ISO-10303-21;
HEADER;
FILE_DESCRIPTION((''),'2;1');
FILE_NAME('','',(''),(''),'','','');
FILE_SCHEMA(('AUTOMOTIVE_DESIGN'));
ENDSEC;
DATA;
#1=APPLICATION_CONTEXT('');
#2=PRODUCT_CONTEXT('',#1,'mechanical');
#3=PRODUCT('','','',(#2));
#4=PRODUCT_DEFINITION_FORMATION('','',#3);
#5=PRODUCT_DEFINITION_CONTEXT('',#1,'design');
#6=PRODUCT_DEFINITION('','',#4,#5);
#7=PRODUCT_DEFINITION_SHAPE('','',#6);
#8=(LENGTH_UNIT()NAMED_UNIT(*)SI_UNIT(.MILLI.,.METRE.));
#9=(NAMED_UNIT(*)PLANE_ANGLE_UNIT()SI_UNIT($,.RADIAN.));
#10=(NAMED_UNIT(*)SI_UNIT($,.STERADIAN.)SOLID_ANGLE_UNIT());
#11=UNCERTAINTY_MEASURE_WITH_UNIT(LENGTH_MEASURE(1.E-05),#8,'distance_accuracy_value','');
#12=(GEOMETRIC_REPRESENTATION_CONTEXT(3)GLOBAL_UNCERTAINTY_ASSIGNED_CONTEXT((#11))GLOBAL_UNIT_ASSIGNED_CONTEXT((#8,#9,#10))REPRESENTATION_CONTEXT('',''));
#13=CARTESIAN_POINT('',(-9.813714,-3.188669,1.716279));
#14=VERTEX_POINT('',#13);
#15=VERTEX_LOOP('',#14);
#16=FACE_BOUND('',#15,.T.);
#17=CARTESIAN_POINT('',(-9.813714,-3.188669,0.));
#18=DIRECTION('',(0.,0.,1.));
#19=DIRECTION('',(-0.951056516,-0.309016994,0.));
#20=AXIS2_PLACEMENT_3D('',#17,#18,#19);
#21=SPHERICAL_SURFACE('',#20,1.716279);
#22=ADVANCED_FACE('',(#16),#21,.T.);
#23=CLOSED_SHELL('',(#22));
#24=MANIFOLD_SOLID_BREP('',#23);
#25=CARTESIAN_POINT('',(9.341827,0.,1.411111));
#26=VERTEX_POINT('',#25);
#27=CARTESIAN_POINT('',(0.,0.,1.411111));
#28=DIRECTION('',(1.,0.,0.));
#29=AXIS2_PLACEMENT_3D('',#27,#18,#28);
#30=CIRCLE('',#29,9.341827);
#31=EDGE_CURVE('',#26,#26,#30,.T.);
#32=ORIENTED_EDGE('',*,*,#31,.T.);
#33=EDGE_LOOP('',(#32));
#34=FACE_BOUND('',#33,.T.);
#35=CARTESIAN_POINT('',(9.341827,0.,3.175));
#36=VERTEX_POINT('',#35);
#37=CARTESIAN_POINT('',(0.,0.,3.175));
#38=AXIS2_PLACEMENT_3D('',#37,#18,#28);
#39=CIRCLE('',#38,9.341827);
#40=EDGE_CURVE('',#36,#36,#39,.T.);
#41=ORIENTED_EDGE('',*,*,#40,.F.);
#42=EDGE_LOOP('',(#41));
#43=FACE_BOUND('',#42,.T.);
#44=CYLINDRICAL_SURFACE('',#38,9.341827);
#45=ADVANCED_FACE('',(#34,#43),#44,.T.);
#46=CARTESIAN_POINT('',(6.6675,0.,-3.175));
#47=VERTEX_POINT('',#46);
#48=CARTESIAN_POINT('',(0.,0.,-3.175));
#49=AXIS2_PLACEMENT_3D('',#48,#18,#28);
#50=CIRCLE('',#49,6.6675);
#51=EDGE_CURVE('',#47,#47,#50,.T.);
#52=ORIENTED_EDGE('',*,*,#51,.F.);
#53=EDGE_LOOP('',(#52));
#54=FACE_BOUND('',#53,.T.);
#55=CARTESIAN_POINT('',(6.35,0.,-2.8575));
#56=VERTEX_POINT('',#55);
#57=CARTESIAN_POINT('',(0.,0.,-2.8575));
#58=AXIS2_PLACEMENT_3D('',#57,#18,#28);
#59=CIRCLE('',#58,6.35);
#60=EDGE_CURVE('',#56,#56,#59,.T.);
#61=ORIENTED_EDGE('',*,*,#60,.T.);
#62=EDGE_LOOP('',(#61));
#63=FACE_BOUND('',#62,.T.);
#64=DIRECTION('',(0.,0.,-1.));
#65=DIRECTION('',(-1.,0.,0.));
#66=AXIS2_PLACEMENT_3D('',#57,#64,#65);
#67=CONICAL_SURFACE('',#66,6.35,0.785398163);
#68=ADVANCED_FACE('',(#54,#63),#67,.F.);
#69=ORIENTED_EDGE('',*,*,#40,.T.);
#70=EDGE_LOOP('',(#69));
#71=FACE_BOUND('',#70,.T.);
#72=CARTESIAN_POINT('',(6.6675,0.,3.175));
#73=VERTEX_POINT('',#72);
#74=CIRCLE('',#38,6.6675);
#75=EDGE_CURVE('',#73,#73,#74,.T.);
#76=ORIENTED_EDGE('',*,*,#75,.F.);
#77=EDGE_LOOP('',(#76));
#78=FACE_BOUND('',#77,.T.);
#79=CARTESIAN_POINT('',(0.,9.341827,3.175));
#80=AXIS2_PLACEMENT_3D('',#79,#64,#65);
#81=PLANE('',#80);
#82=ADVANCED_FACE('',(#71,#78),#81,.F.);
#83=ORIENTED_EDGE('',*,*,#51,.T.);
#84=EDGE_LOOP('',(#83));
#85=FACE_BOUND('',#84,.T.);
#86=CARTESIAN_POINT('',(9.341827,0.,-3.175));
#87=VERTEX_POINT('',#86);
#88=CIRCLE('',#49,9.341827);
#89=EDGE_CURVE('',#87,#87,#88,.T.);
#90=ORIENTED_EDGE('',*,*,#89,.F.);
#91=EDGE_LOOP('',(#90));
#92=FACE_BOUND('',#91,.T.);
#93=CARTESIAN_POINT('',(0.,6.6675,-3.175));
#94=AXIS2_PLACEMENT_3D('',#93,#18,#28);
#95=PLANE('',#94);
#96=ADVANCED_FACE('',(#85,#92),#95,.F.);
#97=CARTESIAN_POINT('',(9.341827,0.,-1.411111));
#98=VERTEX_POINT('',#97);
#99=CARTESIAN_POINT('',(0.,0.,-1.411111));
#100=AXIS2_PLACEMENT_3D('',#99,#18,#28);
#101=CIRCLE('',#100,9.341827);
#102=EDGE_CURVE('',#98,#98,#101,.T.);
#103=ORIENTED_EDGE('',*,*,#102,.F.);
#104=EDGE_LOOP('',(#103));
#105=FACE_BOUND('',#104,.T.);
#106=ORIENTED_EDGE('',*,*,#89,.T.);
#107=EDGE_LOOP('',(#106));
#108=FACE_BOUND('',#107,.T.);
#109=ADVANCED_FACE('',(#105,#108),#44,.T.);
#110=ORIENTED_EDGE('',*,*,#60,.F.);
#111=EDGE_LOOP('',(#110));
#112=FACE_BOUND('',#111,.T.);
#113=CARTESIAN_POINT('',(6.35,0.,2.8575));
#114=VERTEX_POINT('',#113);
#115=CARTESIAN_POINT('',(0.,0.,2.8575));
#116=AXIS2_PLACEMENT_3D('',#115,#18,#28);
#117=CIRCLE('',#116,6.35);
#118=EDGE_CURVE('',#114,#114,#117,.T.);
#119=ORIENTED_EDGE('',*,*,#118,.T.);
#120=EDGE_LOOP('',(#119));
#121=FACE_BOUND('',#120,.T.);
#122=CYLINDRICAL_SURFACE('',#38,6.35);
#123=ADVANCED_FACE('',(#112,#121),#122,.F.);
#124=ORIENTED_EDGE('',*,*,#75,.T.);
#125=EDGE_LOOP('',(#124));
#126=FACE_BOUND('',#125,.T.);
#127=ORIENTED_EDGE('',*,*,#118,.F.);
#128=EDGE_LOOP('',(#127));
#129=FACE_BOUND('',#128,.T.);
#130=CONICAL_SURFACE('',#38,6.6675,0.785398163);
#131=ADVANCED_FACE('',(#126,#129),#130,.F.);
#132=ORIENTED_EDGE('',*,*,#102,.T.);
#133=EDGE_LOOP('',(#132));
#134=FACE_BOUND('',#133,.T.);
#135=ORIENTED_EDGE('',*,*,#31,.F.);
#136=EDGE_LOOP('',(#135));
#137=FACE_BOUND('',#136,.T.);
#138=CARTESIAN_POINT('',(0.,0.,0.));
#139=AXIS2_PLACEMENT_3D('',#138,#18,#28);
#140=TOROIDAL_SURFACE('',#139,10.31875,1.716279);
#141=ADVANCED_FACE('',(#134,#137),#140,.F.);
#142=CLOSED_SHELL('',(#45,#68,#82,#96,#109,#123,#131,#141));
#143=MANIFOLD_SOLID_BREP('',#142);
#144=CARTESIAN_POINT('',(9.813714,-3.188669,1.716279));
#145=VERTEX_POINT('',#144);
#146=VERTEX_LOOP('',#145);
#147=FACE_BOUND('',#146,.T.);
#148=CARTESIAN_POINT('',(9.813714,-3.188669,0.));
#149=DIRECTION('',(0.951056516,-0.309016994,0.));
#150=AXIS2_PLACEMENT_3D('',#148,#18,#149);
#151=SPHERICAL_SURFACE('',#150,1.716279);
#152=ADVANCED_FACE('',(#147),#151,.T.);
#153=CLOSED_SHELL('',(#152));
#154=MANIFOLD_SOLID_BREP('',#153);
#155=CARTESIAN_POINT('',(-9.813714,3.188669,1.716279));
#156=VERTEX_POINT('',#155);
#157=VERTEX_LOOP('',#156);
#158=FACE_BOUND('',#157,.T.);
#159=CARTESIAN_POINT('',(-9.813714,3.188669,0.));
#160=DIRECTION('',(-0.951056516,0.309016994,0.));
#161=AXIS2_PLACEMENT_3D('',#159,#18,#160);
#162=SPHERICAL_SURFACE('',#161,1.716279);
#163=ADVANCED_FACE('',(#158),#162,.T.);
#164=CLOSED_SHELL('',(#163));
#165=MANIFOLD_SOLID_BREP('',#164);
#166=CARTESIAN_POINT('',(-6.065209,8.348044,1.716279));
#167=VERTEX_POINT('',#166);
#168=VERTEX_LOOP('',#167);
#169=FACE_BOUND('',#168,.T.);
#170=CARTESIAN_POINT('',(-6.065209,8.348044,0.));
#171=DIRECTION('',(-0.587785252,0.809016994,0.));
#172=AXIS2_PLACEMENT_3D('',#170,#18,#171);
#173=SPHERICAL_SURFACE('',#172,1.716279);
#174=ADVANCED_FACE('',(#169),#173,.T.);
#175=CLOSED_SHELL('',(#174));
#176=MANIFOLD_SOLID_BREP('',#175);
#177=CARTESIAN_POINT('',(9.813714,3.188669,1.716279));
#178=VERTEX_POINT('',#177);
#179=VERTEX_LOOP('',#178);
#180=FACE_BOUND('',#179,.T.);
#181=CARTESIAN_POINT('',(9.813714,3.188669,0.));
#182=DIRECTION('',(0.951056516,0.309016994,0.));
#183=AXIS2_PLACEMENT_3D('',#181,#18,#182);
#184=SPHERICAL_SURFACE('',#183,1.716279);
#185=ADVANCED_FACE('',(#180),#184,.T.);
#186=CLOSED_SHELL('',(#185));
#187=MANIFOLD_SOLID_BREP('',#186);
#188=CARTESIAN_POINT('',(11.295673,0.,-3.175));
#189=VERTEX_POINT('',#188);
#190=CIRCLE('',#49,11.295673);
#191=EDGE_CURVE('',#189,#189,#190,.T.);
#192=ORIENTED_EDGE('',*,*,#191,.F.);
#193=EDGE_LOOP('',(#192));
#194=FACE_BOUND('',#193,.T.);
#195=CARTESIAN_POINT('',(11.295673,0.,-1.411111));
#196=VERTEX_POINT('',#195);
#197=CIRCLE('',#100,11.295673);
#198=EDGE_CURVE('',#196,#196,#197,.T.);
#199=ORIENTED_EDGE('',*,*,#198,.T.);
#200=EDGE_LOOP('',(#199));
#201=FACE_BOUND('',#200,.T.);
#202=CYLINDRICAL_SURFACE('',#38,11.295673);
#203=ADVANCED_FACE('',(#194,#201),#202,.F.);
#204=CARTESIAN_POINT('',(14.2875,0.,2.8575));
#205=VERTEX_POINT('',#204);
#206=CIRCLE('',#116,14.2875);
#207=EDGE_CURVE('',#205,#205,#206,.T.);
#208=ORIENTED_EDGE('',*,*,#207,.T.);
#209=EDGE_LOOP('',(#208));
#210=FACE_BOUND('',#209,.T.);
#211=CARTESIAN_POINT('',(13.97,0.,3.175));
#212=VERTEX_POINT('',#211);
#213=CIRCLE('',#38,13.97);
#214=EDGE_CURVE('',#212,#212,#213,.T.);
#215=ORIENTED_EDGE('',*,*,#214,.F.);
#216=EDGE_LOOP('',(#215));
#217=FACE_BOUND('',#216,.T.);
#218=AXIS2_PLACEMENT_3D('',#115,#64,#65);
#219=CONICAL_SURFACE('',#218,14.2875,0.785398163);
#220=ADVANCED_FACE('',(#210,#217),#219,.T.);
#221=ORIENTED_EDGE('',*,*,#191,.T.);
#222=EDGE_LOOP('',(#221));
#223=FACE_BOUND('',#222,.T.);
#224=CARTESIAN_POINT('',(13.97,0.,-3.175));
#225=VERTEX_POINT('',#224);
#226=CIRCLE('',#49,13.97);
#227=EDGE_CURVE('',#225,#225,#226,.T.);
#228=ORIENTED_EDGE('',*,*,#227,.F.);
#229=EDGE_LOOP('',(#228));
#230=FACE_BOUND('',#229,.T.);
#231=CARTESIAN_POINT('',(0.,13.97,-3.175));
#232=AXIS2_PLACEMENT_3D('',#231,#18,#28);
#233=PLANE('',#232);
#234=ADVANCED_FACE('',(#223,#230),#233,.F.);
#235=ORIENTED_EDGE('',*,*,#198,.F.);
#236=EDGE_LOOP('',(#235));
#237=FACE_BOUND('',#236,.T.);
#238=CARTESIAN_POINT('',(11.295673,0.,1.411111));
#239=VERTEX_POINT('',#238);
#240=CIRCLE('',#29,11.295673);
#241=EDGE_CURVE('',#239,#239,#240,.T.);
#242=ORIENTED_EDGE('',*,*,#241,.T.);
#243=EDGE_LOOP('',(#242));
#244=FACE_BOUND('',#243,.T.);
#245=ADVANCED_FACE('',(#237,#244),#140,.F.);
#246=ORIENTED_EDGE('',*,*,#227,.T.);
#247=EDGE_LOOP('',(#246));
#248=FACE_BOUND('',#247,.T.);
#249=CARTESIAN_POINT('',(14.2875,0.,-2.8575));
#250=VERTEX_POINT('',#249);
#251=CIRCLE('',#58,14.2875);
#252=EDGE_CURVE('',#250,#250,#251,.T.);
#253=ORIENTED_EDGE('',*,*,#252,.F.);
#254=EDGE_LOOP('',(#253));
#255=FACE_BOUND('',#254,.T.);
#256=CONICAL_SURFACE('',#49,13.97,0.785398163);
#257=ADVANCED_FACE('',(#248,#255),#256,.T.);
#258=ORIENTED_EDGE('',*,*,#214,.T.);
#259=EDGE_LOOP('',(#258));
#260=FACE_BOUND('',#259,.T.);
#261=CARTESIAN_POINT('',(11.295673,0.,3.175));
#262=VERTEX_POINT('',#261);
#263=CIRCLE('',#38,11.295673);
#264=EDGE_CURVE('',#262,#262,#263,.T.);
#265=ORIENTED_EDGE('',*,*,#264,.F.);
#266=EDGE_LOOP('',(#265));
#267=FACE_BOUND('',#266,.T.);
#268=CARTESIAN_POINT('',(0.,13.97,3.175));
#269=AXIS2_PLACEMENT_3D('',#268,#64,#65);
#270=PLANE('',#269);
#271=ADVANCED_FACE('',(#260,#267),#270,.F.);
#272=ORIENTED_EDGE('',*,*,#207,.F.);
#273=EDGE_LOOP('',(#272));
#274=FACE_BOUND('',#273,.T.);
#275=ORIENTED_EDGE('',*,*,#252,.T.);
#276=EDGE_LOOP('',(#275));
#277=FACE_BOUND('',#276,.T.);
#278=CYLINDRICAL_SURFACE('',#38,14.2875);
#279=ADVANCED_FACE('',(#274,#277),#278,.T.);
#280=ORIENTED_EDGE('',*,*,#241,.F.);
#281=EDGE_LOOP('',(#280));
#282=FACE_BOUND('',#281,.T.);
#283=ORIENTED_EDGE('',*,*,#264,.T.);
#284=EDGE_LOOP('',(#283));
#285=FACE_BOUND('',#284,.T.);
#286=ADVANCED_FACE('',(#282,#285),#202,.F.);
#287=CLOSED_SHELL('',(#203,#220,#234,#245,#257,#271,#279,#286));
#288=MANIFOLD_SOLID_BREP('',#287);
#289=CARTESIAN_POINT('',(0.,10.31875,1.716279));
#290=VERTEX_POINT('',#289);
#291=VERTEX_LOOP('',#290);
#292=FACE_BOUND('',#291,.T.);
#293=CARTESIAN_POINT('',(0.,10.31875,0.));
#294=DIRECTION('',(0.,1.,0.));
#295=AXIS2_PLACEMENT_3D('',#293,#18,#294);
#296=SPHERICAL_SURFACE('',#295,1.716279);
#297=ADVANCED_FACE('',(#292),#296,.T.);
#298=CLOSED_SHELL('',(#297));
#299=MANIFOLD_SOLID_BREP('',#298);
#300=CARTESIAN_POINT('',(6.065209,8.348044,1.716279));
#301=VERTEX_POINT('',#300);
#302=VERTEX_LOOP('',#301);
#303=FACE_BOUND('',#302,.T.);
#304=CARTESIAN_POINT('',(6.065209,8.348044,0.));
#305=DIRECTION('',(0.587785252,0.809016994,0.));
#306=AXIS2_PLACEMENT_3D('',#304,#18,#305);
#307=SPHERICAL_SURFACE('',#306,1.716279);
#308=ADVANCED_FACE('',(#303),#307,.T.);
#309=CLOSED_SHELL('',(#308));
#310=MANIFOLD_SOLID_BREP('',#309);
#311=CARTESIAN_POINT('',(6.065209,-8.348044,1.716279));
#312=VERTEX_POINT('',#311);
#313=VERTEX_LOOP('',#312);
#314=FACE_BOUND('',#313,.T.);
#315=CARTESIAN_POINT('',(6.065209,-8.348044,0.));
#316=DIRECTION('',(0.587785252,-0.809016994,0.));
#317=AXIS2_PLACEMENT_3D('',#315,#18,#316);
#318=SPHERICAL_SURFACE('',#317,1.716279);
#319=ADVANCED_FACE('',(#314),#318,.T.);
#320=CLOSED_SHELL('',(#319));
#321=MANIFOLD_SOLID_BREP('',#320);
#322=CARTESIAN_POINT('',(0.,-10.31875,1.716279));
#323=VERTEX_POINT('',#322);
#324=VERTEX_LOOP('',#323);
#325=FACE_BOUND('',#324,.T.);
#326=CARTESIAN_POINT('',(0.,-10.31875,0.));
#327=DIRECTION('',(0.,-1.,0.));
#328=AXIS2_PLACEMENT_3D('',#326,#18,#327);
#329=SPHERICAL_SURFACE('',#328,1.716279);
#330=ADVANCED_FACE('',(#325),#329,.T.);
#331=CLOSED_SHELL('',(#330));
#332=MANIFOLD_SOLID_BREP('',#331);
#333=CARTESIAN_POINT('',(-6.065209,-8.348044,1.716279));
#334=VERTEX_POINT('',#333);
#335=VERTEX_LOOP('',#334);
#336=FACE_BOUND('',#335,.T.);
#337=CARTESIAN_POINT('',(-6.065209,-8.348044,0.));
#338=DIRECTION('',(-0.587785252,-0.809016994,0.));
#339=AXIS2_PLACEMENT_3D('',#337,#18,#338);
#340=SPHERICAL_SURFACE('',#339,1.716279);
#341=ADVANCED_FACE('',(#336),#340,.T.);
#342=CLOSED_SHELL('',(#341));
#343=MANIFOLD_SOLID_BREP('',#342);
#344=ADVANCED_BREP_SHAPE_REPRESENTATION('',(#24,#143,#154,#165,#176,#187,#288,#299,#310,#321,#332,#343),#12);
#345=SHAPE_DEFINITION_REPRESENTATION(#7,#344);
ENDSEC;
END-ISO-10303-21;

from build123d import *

# Parameters (mm, degrees)
CIRPATTERN1_COUNT = 10


with BuildPart() as part:
    # Sketch1 → Revolve1 (revolve)
    with BuildSketch(Plane(origin=(0, 0, 0), x_dir=(0, 0, -1), z_dir=(1, 0, 0))):
        with BuildLine():
            Line((2.8575, 14.2875), (-2.8575, 14.2875))
            Line((-2.8575, 14.2875), (-3.175, 13.97))
            Line((-3.175, 13.97), (-3.175, 11.295673077))
            Line((-3.175, 11.295673077), (-1.411111111, 11.295673077))
            ThreePointArc((-1.411111111, 11.295673077), (0, 12.035028901), (1.411111111, 11.295673077))
            Line((1.411111111, 11.295673077), (3.175, 11.295673077))
            Line((3.175, 11.295673077), (3.175, 13.97))
            Line((3.175, 13.97), (2.8575, 14.2875))
        make_face()
    revolve(axis=Axis((0, 0, 3.175), (0, 0, -1)))


with BuildPart() as body_2:
    # Sketch3 → Revolve3 (revolve)
    with BuildSketch(Plane(origin=(0, 0, 0), x_dir=(0, 0, -1), z_dir=(1, 0, 0))):
        with BuildLine():
            Line((-3.175, 9.341826923), (-1.411111111, 9.341826923))
            ThreePointArc((-1.411111111, 9.341826923), (0, 8.602471099), (1.411111111, 9.341826923))
            Line((1.411111111, 9.341826923), (3.175, 9.341826923))
            Line((3.175, 9.341826923), (3.175, 6.6675))
            Line((3.175, 6.6675), (2.8575, 6.35))
            Line((2.8575, 6.35), (-2.8575, 6.35))
            Line((-2.8575, 6.35), (-3.175, 6.6675))
            Line((-3.175, 6.6675), (-3.175, 9.341826923))
        make_face()
    revolve(axis=Axis((0, 0, 3.175), (0, 0, -1)))


with BuildPart() as body_3:
    # Sketch4 → Revolve4 (revolve)
    with BuildSketch(Plane(origin=(0, 0, 0), x_dir=(0, 0, -1), z_dir=(1, 0, 0))):
        with BuildLine():
            Line((-1.716278901, 10.31875), (1.716278901, 10.31875))
            ThreePointArc((1.716278901, 10.31875), (0, 12.035028901), (-1.716278901, 10.31875))
        make_face()
    revolve(axis=Axis((0, 10.31875, 1.716278901), (0, 0, -1)))


with BuildPart() as cirpattern1_1:
    # CirPattern1: pattern copy
    add(body_3.part.rotate(Axis((0, 0, -3.175), (0, 0, 1)), 1 * 360 / CIRPATTERN1_COUNT))


with BuildPart() as cirpattern1_2:
    # CirPattern1: pattern copy
    add(body_3.part.rotate(Axis((0, 0, -3.175), (0, 0, 1)), 2 * 360 / CIRPATTERN1_COUNT))


with BuildPart() as cirpattern1_3:
    # CirPattern1: pattern copy
    add(body_3.part.rotate(Axis((0, 0, -3.175), (0, 0, 1)), 3 * 360 / CIRPATTERN1_COUNT))


with BuildPart() as cirpattern1_4:
    # CirPattern1: pattern copy
    add(body_3.part.rotate(Axis((0, 0, -3.175), (0, 0, 1)), 4 * 360 / CIRPATTERN1_COUNT))


with BuildPart() as cirpattern1_5:
    # CirPattern1: pattern copy
    add(body_3.part.rotate(Axis((0, 0, -3.175), (0, 0, 1)), 5 * 360 / CIRPATTERN1_COUNT))


with BuildPart() as cirpattern1_6:
    # CirPattern1: pattern copy
    add(body_3.part.rotate(Axis((0, 0, -3.175), (0, 0, 1)), 6 * 360 / CIRPATTERN1_COUNT))


with BuildPart() as cirpattern1_7:
    # CirPattern1: pattern copy
    add(body_3.part.rotate(Axis((0, 0, -3.175), (0, 0, 1)), 7 * 360 / CIRPATTERN1_COUNT))


with BuildPart() as cirpattern1_8:
    # CirPattern1: pattern copy
    add(body_3.part.rotate(Axis((0, 0, -3.175), (0, 0, 1)), 8 * 360 / CIRPATTERN1_COUNT))


with BuildPart() as cirpattern1_9:
    # CirPattern1: pattern copy
    add(body_3.part.rotate(Axis((0, 0, -3.175), (0, 0, 1)), 9 * 360 / CIRPATTERN1_COUNT))


solid = Compound([part.part, body_2.part, body_3.part, cirpattern1_1.part, cirpattern1_2.part, cirpattern1_3.part, cirpattern1_4.part, cirpattern1_5.part, cirpattern1_6.part, cirpattern1_7.part, cirpattern1_8.part, cirpattern1_9.part])
